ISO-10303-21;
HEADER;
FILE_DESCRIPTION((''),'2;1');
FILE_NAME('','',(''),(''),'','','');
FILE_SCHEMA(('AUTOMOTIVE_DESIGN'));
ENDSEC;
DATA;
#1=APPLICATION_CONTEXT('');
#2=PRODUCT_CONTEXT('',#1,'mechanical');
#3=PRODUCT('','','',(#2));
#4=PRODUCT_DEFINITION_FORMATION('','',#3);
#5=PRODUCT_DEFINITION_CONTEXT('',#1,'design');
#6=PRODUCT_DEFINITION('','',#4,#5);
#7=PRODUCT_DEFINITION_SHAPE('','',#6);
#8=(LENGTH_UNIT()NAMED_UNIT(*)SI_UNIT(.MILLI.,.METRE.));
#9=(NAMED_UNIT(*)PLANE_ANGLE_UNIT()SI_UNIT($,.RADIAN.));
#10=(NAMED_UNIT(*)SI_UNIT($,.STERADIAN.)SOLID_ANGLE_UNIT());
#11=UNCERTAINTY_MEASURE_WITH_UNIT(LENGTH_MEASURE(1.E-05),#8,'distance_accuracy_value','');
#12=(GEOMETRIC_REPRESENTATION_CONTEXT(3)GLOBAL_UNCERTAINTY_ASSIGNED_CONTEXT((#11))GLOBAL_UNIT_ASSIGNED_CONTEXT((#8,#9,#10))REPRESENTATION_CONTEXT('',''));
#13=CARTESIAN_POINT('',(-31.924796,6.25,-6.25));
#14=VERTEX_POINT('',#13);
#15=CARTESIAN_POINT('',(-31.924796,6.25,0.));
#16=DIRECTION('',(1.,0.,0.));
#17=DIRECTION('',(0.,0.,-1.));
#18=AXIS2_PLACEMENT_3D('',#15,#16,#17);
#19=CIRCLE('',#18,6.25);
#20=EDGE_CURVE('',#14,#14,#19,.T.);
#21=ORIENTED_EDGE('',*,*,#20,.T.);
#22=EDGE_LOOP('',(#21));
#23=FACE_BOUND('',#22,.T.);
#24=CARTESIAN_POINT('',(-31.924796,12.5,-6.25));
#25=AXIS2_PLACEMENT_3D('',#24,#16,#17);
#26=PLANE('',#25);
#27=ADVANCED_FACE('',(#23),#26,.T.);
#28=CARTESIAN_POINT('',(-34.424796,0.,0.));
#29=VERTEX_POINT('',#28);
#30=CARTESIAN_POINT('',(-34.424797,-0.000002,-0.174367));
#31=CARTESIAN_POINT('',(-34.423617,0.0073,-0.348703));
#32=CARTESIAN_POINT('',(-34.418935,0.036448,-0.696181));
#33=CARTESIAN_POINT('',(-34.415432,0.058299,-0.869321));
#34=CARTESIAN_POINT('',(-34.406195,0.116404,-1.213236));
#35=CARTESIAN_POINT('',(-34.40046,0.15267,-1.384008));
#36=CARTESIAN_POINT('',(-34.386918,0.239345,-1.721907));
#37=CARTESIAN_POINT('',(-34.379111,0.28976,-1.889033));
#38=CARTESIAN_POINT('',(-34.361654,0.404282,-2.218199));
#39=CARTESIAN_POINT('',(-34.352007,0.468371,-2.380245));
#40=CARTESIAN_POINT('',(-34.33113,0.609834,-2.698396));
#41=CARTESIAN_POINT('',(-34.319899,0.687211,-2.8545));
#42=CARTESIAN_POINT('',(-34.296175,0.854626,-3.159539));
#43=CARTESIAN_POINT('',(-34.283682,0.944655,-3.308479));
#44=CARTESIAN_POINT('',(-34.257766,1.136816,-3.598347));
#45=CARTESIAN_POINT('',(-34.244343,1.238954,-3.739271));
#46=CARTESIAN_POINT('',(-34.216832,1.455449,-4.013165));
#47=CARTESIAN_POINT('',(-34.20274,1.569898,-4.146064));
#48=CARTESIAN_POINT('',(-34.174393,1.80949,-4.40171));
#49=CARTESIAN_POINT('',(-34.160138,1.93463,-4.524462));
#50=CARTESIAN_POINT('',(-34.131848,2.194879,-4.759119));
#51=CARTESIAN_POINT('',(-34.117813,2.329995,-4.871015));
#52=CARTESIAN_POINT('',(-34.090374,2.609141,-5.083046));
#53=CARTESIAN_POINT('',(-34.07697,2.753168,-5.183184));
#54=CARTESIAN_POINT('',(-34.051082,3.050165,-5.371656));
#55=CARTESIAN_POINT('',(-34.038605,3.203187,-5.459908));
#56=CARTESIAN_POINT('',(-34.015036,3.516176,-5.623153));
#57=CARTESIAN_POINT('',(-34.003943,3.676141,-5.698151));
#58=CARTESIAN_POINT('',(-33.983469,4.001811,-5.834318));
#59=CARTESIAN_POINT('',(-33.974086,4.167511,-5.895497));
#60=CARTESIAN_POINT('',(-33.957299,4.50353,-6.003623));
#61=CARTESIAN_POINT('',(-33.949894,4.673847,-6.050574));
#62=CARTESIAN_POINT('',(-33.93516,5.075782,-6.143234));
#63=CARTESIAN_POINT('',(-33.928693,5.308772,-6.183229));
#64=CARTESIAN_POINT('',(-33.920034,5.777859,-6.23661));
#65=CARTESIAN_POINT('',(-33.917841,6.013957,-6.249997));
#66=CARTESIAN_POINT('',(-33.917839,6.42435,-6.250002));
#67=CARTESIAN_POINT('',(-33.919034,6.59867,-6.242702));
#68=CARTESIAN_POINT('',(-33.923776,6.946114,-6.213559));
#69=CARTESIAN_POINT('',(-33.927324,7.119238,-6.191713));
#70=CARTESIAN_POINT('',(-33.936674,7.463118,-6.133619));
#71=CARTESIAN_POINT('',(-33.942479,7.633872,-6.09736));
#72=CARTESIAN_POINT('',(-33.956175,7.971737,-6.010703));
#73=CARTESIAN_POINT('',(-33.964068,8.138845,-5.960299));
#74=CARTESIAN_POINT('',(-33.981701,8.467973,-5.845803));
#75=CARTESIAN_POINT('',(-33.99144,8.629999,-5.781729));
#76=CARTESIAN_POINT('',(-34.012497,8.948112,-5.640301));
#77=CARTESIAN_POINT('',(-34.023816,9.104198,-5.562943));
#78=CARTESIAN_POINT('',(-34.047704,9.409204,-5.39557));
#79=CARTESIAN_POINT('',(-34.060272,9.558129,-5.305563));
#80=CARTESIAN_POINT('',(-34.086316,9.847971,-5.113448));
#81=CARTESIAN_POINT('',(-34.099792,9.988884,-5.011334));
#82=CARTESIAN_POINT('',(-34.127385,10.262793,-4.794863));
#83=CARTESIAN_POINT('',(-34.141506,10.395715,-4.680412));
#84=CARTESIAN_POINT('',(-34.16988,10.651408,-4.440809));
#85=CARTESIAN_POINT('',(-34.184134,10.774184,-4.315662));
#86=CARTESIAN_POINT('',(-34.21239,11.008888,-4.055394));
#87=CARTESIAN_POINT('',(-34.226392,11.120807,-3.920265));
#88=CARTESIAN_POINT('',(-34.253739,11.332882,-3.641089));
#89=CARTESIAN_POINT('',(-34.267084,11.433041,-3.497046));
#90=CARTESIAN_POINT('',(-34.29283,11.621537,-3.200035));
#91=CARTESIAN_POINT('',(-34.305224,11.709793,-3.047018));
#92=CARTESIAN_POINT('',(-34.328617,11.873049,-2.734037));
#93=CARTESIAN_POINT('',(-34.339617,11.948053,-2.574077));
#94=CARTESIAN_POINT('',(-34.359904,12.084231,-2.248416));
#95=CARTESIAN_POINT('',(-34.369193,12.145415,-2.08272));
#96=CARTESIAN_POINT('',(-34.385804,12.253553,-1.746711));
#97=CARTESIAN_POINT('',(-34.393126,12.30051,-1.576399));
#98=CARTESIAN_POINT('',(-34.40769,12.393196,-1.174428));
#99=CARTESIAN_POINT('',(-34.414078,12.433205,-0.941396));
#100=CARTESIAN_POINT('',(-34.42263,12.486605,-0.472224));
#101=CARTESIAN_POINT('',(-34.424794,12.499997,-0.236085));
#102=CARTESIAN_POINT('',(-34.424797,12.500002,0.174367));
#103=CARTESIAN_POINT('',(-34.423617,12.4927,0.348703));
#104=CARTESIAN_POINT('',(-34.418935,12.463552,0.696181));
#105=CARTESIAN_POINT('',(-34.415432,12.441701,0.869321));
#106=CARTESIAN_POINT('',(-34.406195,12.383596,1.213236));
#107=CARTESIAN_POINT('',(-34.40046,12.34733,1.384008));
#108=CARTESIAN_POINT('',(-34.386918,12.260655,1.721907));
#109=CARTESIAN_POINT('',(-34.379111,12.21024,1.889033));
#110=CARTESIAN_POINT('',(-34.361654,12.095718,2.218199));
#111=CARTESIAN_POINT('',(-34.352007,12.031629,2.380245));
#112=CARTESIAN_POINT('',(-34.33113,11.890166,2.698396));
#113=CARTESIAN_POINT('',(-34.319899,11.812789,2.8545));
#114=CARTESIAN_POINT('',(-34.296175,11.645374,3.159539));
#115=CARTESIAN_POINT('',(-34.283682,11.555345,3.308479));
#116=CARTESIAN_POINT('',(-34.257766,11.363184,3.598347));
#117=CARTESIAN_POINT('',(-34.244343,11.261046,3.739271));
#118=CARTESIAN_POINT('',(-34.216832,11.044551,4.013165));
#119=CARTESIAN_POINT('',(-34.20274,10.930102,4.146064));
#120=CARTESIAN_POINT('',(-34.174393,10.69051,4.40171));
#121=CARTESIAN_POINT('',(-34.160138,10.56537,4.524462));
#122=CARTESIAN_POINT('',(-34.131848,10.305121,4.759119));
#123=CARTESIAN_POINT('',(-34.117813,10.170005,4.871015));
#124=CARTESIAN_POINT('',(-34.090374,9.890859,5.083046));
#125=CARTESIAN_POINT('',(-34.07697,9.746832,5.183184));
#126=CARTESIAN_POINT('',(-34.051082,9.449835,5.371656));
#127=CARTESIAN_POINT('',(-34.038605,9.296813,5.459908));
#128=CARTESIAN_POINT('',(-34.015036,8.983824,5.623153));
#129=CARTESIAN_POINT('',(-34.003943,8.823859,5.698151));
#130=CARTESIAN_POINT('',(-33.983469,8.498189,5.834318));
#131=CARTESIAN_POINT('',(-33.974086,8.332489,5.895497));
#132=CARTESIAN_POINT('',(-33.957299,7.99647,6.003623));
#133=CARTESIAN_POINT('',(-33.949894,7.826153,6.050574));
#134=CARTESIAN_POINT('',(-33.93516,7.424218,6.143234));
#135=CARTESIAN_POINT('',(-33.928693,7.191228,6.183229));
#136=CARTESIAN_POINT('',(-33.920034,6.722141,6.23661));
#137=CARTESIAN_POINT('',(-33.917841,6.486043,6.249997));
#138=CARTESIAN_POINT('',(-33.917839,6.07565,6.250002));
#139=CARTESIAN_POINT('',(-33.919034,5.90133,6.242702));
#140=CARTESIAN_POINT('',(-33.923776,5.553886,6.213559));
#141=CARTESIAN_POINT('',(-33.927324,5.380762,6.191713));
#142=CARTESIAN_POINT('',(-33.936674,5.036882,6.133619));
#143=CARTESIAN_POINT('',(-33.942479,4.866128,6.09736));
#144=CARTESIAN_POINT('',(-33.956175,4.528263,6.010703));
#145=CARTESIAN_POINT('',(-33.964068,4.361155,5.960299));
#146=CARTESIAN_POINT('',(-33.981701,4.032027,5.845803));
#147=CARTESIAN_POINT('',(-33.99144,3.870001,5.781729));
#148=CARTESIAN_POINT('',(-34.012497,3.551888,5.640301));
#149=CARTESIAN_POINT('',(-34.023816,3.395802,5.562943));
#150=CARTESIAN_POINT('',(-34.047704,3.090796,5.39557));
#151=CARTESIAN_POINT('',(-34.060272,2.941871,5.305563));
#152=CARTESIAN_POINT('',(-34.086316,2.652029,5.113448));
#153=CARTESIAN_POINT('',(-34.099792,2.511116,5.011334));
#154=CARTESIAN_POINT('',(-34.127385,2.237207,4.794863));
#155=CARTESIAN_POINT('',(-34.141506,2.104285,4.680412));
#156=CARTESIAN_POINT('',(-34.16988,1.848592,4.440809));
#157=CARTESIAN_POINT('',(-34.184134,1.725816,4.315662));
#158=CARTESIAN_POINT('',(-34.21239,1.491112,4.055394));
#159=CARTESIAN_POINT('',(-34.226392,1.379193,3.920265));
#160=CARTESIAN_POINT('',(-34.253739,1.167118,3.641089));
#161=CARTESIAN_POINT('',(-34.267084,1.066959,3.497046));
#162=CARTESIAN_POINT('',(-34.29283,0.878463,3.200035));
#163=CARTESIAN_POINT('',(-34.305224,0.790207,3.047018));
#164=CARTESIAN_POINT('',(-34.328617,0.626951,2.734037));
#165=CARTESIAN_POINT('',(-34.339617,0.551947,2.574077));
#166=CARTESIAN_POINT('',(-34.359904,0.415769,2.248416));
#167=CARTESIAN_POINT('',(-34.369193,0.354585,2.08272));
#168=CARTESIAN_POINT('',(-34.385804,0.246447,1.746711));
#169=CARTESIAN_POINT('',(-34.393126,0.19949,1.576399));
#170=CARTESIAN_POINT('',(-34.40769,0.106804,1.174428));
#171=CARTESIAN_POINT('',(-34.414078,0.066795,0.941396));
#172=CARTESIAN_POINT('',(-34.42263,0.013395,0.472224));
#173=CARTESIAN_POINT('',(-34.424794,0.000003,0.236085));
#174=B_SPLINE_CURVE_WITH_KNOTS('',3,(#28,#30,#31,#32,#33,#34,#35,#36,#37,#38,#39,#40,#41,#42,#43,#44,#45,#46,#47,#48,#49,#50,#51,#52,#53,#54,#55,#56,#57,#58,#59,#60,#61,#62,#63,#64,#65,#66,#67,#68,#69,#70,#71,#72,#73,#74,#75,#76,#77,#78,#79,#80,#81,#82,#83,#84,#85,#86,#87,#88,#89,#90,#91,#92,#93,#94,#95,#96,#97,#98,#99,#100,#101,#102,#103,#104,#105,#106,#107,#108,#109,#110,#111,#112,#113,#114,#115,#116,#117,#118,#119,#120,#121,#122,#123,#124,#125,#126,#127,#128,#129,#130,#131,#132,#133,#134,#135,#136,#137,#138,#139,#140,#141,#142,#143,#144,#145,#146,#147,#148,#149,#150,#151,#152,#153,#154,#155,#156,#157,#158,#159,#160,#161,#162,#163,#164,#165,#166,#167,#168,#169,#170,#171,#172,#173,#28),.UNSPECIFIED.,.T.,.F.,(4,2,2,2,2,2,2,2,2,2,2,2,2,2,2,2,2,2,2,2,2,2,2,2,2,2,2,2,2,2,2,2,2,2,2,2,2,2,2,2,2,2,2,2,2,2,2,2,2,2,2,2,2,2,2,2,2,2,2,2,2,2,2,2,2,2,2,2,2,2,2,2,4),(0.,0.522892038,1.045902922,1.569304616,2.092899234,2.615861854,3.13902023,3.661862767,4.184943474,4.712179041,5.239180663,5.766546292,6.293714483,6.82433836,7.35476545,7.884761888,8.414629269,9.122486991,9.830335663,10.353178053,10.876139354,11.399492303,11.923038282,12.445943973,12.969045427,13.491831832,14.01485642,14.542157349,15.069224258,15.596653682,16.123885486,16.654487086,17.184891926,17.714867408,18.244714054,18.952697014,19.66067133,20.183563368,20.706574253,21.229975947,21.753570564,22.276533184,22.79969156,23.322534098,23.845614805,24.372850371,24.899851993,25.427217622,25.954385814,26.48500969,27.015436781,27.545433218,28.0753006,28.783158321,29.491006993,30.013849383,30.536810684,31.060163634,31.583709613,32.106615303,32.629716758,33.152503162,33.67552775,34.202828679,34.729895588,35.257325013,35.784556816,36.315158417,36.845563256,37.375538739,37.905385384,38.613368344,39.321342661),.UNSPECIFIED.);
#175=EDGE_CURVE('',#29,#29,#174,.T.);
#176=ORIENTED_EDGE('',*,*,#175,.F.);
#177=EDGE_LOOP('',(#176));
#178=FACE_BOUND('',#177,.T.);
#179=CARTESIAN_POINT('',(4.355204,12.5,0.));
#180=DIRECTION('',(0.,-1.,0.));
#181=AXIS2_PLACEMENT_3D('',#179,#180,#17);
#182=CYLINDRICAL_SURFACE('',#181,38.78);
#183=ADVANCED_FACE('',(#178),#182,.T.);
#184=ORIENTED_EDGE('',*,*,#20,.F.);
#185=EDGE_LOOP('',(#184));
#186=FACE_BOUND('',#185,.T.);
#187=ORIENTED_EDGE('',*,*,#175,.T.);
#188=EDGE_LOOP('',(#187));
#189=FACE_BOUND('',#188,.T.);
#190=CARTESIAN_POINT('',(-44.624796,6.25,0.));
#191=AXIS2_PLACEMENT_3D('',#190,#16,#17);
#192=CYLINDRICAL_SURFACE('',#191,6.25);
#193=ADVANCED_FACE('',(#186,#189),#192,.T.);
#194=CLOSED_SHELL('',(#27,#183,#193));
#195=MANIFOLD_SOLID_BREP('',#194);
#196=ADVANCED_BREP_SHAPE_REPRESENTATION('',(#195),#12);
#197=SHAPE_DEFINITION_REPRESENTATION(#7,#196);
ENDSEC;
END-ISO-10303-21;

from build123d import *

# Parameters (mm, degrees)
EXTRUDE_1_DEPTH     = 12.5
CUT_EXTRUDE_8_DEPTH = 12.7


with BuildPart() as part:
    # 草图1 → 凸台-拉伸1 (new body)
    with BuildSketch(Plane(origin=(0, 0, 0), x_dir=(1, 0, 0), z_dir=(0, 1, 0))):
        with BuildLine():
            Line((-33.917839704, 6.25), (-31.924795665, 6.25))
            Line((-31.924795665, 6.25), (-31.924795665, -6.25))
            Line((-31.924795665, -6.25), (-33.917839704, -6.25))
            ThreePointArc((-33.917839704, -6.25), (-34.424795665, 0), (-33.917839704, 6.25))
        make_face()
    extrude(amount=EXTRUDE_1_DEPTH)

    # 草图2 → 切除-拉伸8 (cut)
    with BuildSketch(Plane(origin=(-31.924795665, 0, 0), x_dir=(0, 0, -1), z_dir=(1, 0, 0))):
        with BuildLine():
            Line((-6.25, 12.5), (-6.25, 6.250000013))
            ThreePointArc((-6.25, 6.250000013), (-4.419417378, 10.669417387), (0, 12.5))
            Line((0, 12.5), (-6.25, 12.5))
        make_face()
        with BuildLine():
            ThreePointArc((0, 12.5), (4.419417382, 10.669417382), (6.25, 6.25))
            Line((6.25, 6.25), (6.25, 12.5))
            Line((6.25, 12.5), (0, 12.5))
        make_face()
        with BuildLine():
            ThreePointArc((6.25, 6.25), (4.419417382, 1.830582618), (0, 0))
            Line((0, 0), (6.25, 0))
            Line((6.25, 0), (6.25, 6.25))
        make_face()
        with BuildLine():
            Line((-6.25, 6.250000013), (-6.25, 0))
            Line((-6.25, 0), (0, 0))
            ThreePointArc((0, 0), (-4.419417387, 1.830582622), (-6.25, 6.250000013))
        make_face()
    extrude(amount=-CUT_EXTRUDE_8_DEPTH, mode=Mode.SUBTRACT)


solid = part.part
